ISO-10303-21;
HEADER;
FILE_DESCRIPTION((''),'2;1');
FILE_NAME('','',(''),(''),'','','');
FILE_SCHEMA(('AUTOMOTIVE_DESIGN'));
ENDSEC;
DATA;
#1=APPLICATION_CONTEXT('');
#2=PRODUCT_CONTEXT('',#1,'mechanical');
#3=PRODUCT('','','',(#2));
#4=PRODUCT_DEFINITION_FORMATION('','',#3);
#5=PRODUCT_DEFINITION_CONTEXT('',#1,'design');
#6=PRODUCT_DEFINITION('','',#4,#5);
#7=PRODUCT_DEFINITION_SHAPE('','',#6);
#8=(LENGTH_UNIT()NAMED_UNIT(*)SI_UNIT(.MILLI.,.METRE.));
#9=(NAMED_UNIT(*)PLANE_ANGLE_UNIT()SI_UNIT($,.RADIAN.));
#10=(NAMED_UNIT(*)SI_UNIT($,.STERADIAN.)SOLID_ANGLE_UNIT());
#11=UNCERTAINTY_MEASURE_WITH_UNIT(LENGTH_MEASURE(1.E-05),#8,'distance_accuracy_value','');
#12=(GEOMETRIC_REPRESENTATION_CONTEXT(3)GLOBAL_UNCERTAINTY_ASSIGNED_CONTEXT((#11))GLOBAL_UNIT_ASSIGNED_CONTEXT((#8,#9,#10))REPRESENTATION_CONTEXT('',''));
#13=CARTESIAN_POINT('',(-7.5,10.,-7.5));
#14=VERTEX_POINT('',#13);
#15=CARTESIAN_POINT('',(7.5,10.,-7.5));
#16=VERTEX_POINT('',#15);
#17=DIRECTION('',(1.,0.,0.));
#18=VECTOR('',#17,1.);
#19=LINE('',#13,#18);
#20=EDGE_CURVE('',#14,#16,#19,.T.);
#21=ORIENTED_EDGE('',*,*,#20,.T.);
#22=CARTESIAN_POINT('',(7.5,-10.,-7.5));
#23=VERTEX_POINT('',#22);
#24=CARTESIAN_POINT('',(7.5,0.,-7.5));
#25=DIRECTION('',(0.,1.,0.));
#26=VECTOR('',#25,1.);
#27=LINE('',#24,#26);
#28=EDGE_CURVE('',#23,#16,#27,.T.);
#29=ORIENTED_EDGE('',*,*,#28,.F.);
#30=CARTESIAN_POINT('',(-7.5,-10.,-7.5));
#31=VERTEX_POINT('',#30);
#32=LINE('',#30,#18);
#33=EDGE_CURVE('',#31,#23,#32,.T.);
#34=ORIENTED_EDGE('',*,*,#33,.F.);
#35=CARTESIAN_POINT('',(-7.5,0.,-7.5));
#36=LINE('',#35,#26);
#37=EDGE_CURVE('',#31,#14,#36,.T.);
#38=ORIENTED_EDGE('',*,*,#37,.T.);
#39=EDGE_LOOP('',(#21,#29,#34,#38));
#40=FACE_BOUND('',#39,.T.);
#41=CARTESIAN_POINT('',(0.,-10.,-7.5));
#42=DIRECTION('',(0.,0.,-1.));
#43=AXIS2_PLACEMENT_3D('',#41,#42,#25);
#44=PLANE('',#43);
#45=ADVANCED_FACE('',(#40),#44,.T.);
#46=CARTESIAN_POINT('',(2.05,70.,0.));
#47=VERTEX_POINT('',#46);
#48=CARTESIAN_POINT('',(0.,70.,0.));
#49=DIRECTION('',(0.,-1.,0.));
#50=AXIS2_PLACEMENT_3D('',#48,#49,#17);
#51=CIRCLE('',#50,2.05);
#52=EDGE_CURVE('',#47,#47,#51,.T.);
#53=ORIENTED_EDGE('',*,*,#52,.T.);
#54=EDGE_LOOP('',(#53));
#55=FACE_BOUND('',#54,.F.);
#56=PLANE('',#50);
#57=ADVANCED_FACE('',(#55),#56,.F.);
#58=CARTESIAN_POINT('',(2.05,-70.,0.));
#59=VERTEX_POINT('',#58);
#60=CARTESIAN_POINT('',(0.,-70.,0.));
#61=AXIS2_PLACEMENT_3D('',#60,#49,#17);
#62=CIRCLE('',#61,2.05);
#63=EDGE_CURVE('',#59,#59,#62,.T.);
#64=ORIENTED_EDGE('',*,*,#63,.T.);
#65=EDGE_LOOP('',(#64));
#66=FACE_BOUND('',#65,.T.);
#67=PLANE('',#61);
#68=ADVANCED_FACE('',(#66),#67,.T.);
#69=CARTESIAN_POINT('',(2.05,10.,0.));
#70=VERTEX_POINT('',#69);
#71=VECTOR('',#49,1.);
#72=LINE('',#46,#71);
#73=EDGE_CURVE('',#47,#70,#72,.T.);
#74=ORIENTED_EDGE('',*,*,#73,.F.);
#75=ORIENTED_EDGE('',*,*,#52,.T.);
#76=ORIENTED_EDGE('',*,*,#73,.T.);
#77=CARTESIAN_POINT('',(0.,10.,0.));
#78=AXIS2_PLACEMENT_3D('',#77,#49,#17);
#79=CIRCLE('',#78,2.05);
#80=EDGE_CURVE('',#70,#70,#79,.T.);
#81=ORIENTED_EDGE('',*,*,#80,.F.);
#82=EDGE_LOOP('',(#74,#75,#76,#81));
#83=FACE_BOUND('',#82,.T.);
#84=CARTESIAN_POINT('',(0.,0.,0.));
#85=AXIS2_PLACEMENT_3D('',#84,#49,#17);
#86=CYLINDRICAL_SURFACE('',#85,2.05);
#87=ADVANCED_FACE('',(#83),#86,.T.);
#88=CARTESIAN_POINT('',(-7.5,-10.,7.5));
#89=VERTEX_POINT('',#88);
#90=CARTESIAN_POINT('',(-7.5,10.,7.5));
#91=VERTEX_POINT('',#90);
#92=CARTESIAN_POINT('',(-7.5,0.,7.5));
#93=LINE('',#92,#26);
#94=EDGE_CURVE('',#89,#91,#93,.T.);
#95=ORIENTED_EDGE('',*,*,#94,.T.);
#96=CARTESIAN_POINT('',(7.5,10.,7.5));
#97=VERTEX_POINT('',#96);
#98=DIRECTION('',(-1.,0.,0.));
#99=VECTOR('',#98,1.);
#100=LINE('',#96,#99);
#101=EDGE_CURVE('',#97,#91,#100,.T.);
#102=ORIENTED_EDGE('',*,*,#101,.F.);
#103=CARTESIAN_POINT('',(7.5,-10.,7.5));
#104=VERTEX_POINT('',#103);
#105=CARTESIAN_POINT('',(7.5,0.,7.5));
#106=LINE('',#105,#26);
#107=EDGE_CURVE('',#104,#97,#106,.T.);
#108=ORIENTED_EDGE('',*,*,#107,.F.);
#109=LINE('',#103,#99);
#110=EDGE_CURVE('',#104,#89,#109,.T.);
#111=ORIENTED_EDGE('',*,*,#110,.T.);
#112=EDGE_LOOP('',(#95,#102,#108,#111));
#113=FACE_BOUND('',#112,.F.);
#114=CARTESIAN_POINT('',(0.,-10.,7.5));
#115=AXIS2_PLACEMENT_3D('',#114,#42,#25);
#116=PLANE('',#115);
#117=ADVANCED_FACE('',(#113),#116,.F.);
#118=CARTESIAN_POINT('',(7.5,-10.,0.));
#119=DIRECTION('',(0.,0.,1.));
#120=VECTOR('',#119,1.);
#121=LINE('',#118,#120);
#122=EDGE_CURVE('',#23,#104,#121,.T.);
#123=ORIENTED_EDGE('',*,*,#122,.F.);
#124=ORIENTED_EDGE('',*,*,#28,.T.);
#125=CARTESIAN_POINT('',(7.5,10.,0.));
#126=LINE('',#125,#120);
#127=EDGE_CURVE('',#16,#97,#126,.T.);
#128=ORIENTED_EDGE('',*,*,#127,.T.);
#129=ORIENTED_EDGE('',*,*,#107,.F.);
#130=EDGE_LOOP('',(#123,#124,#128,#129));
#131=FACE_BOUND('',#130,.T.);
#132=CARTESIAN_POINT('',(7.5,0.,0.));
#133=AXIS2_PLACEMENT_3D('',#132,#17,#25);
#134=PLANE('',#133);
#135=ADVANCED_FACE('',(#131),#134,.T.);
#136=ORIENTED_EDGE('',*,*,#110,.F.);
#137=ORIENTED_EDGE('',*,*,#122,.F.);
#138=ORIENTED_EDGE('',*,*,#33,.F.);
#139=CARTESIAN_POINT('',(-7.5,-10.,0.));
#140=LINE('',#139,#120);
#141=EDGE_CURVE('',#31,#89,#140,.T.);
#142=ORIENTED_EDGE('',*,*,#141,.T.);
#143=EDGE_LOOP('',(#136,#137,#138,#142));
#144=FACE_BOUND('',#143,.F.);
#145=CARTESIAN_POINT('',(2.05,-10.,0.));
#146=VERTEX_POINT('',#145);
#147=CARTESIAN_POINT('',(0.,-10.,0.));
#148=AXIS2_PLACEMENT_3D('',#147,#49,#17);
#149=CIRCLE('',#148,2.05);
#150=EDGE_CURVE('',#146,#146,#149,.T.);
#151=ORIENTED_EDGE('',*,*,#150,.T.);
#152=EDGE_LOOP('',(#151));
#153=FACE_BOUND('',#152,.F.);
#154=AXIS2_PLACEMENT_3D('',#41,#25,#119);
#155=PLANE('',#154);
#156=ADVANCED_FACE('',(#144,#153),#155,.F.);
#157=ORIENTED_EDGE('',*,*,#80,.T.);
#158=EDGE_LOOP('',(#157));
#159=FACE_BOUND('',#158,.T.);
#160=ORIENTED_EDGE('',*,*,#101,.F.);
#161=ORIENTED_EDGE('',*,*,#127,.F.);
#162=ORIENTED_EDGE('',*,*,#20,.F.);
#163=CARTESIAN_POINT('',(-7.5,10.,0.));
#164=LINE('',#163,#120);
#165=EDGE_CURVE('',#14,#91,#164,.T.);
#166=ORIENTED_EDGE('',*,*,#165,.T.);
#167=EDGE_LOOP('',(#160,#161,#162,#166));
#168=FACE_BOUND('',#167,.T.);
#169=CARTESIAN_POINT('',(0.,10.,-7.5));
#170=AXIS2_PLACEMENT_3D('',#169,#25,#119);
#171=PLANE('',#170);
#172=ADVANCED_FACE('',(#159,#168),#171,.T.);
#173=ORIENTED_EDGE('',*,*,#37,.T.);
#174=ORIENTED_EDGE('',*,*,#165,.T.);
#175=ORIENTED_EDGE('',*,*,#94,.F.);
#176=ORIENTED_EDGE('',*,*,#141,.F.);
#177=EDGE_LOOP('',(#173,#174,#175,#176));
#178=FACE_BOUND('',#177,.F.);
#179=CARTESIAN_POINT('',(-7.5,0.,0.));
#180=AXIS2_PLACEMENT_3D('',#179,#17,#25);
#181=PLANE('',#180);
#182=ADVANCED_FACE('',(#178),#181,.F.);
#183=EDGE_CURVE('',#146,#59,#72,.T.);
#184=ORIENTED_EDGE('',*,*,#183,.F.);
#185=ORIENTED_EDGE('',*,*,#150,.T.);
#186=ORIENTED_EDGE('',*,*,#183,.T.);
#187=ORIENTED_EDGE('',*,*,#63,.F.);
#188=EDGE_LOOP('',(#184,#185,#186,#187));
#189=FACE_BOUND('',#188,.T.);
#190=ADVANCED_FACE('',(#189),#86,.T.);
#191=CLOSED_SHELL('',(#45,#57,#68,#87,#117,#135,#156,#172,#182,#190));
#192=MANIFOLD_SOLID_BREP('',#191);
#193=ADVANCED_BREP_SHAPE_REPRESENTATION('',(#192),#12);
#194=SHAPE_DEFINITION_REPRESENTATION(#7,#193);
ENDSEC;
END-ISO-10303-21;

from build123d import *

# Parameters (mm, degrees)
F0_R     = 2.05
F1_DEPTH = 70
F2_W     = 20
F2_H     = 15
F3_DEPTH = 7.5


with BuildPart() as f1:
    # F0 (on Front) → F1 (new body, symmetric)
    with BuildSketch(Plane.XZ):
        Circle(F0_R)
    extrude(amount=F1_DEPTH, both=True)

    # F2 (on Right) → F3 (join, symmetric)
    with BuildSketch(Plane.YZ):
        Rectangle(F2_W, F2_H)
    extrude(amount=F3_DEPTH, both=True)


solid = f1.part
